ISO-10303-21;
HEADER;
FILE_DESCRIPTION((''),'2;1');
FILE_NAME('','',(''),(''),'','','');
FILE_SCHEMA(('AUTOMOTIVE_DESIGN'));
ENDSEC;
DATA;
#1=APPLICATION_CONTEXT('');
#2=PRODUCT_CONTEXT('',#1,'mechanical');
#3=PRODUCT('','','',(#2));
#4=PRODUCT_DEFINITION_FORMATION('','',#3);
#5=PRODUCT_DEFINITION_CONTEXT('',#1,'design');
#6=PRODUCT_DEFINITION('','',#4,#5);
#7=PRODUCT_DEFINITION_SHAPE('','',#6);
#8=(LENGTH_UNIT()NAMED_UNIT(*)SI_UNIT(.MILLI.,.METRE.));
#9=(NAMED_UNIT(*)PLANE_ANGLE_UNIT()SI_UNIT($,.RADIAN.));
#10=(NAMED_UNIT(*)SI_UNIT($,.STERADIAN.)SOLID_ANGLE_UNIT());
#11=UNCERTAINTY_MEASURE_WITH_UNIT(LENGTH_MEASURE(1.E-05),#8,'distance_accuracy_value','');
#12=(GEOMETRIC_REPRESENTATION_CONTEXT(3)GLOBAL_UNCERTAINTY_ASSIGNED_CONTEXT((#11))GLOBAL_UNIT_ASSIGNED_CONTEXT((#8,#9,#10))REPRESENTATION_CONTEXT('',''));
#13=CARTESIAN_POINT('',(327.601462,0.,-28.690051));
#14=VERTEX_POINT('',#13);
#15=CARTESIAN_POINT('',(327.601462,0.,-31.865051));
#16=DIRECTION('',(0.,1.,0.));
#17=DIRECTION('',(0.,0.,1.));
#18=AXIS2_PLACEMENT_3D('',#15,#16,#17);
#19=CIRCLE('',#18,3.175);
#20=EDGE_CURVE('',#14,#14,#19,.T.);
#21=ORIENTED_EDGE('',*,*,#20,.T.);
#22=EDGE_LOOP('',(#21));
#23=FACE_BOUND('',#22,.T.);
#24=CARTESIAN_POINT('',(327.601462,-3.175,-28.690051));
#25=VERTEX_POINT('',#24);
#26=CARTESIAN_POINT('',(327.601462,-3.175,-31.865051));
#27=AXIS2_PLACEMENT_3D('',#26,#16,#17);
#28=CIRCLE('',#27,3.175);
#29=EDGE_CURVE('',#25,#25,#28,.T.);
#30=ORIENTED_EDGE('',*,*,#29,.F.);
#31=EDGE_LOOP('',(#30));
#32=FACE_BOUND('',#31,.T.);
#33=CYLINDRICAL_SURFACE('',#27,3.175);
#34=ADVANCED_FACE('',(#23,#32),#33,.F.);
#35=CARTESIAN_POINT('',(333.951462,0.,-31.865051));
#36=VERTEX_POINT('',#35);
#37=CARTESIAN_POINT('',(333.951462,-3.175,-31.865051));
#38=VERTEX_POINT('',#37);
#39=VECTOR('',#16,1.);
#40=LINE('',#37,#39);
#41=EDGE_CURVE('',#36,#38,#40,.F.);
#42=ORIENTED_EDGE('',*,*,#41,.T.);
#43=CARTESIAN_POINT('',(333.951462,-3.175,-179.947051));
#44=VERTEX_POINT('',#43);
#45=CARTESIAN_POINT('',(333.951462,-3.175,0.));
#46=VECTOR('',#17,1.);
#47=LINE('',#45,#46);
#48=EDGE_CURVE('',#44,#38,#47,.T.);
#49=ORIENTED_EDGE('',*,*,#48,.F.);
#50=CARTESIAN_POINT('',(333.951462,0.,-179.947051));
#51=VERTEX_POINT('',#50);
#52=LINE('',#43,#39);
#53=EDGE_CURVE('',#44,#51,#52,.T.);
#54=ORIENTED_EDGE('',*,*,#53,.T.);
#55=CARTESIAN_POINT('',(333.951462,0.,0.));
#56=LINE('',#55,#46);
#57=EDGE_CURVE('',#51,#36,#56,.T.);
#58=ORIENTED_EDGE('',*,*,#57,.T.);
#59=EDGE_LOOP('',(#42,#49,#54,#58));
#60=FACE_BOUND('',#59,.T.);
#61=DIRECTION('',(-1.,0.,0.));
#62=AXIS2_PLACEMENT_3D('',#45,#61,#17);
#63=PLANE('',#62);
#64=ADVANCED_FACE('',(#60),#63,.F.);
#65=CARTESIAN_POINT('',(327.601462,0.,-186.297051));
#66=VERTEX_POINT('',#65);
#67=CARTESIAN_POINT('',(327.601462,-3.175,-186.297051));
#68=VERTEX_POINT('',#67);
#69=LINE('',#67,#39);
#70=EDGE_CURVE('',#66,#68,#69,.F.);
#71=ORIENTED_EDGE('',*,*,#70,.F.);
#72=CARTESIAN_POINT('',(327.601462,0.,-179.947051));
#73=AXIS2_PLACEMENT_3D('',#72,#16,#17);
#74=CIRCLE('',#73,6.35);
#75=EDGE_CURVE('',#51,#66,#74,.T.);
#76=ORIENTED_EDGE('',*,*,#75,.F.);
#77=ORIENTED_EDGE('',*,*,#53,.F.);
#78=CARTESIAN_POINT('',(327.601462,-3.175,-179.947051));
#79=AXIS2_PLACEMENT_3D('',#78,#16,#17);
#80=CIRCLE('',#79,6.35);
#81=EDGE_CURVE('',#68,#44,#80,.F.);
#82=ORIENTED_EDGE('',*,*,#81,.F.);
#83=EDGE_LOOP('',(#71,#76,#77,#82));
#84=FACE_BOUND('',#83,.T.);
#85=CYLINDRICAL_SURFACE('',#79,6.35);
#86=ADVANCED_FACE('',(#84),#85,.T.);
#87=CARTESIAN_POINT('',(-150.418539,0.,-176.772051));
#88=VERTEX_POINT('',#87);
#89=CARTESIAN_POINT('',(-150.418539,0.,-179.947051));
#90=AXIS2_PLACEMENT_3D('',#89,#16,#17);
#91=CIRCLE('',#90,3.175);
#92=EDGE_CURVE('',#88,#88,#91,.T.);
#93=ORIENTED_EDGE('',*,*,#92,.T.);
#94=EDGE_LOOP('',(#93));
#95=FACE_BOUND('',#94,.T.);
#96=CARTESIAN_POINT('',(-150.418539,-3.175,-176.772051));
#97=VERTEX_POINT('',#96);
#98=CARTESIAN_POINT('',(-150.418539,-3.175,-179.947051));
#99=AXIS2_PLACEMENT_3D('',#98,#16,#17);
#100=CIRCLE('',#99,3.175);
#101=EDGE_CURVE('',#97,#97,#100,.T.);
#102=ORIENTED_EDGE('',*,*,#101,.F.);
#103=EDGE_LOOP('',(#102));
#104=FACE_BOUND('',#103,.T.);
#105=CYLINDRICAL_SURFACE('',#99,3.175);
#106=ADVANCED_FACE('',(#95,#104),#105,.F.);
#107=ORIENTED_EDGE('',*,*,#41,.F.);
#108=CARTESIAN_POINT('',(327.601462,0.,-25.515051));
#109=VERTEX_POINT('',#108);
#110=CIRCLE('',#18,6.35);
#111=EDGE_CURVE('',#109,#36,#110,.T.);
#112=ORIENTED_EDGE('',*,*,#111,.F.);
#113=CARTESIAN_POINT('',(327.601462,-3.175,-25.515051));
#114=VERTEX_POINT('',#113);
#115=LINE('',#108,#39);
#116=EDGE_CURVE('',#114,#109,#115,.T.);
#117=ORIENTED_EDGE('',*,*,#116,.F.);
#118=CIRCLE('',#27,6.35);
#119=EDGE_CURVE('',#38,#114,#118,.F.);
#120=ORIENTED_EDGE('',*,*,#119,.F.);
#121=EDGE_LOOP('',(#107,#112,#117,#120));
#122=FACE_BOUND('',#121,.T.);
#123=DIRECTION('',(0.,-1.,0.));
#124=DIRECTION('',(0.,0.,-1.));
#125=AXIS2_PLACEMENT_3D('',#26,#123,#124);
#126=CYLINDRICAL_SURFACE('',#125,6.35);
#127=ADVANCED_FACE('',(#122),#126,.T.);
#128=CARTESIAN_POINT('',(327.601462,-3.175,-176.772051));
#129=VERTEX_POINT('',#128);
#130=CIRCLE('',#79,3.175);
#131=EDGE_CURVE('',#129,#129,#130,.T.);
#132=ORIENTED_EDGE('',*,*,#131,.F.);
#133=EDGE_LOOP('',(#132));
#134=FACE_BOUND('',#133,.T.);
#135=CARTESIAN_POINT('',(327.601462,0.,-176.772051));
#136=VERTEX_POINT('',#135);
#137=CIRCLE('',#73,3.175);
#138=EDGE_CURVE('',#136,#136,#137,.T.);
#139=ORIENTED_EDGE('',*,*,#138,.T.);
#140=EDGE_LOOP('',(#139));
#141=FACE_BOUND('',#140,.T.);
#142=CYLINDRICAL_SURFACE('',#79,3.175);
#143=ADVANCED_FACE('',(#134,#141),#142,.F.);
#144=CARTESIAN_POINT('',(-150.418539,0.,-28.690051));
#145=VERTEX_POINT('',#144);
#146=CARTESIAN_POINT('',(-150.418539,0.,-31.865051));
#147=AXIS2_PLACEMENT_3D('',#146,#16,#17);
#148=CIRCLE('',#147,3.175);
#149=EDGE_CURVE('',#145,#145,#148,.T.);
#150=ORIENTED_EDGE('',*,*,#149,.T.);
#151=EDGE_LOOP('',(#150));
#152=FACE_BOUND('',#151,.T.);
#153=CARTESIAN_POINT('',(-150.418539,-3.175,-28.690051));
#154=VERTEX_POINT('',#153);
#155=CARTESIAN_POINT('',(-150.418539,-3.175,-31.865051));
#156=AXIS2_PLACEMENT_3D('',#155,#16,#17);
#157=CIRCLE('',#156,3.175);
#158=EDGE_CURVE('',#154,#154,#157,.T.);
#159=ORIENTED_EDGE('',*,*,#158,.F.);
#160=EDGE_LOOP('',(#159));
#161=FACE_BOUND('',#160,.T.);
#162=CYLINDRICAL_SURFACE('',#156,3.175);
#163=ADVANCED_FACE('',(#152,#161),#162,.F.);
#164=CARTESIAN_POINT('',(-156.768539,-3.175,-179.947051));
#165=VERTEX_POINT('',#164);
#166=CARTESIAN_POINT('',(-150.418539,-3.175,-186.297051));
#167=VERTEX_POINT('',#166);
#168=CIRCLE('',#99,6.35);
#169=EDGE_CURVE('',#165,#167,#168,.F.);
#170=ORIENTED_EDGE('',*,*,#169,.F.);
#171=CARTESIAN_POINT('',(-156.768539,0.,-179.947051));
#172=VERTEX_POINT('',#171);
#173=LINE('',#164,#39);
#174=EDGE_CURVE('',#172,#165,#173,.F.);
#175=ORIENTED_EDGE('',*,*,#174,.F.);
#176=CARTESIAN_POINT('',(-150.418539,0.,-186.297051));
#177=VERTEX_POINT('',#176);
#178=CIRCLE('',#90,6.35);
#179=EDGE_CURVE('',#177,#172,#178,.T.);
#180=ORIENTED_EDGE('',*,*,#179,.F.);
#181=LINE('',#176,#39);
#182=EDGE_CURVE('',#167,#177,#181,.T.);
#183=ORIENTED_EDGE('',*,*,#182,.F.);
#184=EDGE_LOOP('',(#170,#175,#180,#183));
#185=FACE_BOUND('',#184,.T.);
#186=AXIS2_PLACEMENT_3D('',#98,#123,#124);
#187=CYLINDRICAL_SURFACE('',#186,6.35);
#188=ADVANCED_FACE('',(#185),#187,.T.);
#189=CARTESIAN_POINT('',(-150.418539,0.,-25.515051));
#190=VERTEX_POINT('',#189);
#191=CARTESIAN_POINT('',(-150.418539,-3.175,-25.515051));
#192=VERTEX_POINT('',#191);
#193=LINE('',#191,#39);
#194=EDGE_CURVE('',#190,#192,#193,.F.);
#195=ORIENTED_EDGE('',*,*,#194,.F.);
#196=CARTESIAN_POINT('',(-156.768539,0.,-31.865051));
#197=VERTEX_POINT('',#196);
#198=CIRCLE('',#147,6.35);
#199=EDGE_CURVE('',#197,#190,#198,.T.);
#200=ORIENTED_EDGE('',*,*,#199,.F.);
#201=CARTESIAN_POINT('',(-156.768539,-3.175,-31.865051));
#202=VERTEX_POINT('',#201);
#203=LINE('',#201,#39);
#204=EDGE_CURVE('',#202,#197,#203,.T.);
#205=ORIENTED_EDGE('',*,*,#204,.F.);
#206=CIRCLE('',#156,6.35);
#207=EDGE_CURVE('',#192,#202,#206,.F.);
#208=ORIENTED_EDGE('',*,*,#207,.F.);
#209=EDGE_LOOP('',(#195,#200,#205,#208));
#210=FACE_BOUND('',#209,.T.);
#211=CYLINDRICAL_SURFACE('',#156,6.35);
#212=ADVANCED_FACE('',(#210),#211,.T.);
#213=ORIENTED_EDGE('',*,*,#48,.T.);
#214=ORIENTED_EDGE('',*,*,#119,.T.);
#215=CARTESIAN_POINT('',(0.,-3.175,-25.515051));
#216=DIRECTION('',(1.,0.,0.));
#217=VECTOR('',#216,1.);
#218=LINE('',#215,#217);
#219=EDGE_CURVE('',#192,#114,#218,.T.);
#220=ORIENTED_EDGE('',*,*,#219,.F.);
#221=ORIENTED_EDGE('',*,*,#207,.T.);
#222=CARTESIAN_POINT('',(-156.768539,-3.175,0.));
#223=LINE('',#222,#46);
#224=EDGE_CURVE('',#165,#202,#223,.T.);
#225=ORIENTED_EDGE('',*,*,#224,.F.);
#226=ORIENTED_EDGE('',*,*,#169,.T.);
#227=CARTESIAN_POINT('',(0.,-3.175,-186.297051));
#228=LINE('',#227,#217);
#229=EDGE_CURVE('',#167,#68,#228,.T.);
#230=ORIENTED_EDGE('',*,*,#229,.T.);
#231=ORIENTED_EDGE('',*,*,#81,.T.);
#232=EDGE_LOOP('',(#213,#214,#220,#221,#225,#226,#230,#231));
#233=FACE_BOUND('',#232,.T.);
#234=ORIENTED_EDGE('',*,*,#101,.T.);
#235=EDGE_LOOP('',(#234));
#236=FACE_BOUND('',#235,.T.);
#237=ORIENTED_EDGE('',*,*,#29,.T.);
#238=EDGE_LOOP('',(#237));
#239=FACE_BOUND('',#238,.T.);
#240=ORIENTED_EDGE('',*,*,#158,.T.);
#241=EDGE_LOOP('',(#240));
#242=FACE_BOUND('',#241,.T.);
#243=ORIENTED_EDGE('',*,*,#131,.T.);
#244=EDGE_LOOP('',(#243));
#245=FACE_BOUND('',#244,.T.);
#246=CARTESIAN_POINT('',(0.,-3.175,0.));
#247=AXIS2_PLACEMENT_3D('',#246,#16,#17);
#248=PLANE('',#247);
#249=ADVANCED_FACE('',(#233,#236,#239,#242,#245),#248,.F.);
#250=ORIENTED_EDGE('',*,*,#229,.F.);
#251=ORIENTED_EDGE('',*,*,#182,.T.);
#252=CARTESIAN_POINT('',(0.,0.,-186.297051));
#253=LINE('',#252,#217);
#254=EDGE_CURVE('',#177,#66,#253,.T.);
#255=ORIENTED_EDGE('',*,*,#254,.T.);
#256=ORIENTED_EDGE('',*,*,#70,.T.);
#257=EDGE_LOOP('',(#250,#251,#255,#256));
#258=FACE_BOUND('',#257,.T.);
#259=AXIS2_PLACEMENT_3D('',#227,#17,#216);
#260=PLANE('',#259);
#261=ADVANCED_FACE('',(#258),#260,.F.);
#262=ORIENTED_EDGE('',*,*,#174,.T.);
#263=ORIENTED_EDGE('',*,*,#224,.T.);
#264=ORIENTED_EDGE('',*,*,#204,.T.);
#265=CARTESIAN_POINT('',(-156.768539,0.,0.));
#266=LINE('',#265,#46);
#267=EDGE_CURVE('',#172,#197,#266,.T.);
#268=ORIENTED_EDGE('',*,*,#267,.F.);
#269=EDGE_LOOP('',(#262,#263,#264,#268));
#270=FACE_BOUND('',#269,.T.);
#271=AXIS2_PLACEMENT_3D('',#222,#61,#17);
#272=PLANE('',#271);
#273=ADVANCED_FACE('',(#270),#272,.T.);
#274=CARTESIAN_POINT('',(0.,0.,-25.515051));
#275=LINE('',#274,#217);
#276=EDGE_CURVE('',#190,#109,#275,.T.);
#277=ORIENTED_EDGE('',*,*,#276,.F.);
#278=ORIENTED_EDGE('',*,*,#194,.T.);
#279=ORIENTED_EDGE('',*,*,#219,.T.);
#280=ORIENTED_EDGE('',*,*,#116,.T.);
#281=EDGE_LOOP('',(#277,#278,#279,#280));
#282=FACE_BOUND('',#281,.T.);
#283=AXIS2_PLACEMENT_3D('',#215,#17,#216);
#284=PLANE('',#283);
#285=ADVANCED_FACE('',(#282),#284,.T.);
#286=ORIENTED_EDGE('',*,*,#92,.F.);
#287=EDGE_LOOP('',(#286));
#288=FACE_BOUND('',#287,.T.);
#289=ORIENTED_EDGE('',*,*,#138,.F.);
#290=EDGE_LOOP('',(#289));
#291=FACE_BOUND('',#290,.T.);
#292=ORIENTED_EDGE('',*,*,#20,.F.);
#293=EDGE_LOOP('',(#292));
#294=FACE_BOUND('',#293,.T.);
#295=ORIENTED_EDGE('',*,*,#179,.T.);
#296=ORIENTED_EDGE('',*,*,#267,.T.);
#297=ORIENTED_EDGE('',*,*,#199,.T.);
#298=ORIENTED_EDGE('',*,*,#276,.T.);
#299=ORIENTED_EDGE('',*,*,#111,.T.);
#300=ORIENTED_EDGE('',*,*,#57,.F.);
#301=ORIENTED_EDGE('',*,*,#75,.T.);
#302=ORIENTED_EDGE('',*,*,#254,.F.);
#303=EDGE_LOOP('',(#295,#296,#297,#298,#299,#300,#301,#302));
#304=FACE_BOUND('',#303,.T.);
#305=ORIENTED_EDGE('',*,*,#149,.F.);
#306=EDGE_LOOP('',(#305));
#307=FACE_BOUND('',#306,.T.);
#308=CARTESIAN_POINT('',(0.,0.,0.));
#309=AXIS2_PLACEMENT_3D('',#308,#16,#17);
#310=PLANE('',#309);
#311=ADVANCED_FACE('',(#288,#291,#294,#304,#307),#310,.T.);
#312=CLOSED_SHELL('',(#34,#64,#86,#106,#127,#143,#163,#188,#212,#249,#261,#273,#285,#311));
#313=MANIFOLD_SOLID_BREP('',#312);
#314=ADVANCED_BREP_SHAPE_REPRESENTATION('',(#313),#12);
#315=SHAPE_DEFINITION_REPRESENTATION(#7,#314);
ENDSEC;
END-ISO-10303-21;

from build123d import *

# Parameters (mm, degrees)
SKETCH1_W           = 490.720000372
SKETCH1_H           = 160.782
SKETCH1_R           = 3.175
BOSS_EXTRUDE1_DEPTH = 3.175
FILLET1_R           = 6.35


with BuildPart() as part:
    # Sketch1 → Boss-Extrude1 (new body)
    with BuildSketch(Plane(origin=(0, 0, 0), x_dir=(1, 0, 0), z_dir=(0, 1, 0))):
        with Locations((88.591461676, 105.906050824)):
            Rectangle(SKETCH1_W, SKETCH1_H)
        with Locations((327.601461862, 179.947050824)):
            Circle(SKETCH1_R, mode=Mode.SUBTRACT)
        with Locations((327.601461862, 31.865050824)):
            Circle(SKETCH1_R, mode=Mode.SUBTRACT)
        with Locations((-150.41853851, 31.865050824)):
            Circle(SKETCH1_R, mode=Mode.SUBTRACT)
        with Locations((-150.41853851, 179.947050824)):
            Circle(SKETCH1_R, mode=Mode.SUBTRACT)
    extrude(amount=-BOSS_EXTRUDE1_DEPTH)

    # Fillet1
    fillet1_edges = [part.edges().sort_by_distance(p)[0] for p in [
        (333.951461862, -1.5875, -25.515050824),
        (-156.76853851, -1.5875, -25.515050824),
        (-156.76853851, -1.5875, -186.297050824),
        (333.951461862, -1.5875, -186.297050824),
    ]]
    fillet(fillet1_edges, radius=FILLET1_R)


solid = part.part
